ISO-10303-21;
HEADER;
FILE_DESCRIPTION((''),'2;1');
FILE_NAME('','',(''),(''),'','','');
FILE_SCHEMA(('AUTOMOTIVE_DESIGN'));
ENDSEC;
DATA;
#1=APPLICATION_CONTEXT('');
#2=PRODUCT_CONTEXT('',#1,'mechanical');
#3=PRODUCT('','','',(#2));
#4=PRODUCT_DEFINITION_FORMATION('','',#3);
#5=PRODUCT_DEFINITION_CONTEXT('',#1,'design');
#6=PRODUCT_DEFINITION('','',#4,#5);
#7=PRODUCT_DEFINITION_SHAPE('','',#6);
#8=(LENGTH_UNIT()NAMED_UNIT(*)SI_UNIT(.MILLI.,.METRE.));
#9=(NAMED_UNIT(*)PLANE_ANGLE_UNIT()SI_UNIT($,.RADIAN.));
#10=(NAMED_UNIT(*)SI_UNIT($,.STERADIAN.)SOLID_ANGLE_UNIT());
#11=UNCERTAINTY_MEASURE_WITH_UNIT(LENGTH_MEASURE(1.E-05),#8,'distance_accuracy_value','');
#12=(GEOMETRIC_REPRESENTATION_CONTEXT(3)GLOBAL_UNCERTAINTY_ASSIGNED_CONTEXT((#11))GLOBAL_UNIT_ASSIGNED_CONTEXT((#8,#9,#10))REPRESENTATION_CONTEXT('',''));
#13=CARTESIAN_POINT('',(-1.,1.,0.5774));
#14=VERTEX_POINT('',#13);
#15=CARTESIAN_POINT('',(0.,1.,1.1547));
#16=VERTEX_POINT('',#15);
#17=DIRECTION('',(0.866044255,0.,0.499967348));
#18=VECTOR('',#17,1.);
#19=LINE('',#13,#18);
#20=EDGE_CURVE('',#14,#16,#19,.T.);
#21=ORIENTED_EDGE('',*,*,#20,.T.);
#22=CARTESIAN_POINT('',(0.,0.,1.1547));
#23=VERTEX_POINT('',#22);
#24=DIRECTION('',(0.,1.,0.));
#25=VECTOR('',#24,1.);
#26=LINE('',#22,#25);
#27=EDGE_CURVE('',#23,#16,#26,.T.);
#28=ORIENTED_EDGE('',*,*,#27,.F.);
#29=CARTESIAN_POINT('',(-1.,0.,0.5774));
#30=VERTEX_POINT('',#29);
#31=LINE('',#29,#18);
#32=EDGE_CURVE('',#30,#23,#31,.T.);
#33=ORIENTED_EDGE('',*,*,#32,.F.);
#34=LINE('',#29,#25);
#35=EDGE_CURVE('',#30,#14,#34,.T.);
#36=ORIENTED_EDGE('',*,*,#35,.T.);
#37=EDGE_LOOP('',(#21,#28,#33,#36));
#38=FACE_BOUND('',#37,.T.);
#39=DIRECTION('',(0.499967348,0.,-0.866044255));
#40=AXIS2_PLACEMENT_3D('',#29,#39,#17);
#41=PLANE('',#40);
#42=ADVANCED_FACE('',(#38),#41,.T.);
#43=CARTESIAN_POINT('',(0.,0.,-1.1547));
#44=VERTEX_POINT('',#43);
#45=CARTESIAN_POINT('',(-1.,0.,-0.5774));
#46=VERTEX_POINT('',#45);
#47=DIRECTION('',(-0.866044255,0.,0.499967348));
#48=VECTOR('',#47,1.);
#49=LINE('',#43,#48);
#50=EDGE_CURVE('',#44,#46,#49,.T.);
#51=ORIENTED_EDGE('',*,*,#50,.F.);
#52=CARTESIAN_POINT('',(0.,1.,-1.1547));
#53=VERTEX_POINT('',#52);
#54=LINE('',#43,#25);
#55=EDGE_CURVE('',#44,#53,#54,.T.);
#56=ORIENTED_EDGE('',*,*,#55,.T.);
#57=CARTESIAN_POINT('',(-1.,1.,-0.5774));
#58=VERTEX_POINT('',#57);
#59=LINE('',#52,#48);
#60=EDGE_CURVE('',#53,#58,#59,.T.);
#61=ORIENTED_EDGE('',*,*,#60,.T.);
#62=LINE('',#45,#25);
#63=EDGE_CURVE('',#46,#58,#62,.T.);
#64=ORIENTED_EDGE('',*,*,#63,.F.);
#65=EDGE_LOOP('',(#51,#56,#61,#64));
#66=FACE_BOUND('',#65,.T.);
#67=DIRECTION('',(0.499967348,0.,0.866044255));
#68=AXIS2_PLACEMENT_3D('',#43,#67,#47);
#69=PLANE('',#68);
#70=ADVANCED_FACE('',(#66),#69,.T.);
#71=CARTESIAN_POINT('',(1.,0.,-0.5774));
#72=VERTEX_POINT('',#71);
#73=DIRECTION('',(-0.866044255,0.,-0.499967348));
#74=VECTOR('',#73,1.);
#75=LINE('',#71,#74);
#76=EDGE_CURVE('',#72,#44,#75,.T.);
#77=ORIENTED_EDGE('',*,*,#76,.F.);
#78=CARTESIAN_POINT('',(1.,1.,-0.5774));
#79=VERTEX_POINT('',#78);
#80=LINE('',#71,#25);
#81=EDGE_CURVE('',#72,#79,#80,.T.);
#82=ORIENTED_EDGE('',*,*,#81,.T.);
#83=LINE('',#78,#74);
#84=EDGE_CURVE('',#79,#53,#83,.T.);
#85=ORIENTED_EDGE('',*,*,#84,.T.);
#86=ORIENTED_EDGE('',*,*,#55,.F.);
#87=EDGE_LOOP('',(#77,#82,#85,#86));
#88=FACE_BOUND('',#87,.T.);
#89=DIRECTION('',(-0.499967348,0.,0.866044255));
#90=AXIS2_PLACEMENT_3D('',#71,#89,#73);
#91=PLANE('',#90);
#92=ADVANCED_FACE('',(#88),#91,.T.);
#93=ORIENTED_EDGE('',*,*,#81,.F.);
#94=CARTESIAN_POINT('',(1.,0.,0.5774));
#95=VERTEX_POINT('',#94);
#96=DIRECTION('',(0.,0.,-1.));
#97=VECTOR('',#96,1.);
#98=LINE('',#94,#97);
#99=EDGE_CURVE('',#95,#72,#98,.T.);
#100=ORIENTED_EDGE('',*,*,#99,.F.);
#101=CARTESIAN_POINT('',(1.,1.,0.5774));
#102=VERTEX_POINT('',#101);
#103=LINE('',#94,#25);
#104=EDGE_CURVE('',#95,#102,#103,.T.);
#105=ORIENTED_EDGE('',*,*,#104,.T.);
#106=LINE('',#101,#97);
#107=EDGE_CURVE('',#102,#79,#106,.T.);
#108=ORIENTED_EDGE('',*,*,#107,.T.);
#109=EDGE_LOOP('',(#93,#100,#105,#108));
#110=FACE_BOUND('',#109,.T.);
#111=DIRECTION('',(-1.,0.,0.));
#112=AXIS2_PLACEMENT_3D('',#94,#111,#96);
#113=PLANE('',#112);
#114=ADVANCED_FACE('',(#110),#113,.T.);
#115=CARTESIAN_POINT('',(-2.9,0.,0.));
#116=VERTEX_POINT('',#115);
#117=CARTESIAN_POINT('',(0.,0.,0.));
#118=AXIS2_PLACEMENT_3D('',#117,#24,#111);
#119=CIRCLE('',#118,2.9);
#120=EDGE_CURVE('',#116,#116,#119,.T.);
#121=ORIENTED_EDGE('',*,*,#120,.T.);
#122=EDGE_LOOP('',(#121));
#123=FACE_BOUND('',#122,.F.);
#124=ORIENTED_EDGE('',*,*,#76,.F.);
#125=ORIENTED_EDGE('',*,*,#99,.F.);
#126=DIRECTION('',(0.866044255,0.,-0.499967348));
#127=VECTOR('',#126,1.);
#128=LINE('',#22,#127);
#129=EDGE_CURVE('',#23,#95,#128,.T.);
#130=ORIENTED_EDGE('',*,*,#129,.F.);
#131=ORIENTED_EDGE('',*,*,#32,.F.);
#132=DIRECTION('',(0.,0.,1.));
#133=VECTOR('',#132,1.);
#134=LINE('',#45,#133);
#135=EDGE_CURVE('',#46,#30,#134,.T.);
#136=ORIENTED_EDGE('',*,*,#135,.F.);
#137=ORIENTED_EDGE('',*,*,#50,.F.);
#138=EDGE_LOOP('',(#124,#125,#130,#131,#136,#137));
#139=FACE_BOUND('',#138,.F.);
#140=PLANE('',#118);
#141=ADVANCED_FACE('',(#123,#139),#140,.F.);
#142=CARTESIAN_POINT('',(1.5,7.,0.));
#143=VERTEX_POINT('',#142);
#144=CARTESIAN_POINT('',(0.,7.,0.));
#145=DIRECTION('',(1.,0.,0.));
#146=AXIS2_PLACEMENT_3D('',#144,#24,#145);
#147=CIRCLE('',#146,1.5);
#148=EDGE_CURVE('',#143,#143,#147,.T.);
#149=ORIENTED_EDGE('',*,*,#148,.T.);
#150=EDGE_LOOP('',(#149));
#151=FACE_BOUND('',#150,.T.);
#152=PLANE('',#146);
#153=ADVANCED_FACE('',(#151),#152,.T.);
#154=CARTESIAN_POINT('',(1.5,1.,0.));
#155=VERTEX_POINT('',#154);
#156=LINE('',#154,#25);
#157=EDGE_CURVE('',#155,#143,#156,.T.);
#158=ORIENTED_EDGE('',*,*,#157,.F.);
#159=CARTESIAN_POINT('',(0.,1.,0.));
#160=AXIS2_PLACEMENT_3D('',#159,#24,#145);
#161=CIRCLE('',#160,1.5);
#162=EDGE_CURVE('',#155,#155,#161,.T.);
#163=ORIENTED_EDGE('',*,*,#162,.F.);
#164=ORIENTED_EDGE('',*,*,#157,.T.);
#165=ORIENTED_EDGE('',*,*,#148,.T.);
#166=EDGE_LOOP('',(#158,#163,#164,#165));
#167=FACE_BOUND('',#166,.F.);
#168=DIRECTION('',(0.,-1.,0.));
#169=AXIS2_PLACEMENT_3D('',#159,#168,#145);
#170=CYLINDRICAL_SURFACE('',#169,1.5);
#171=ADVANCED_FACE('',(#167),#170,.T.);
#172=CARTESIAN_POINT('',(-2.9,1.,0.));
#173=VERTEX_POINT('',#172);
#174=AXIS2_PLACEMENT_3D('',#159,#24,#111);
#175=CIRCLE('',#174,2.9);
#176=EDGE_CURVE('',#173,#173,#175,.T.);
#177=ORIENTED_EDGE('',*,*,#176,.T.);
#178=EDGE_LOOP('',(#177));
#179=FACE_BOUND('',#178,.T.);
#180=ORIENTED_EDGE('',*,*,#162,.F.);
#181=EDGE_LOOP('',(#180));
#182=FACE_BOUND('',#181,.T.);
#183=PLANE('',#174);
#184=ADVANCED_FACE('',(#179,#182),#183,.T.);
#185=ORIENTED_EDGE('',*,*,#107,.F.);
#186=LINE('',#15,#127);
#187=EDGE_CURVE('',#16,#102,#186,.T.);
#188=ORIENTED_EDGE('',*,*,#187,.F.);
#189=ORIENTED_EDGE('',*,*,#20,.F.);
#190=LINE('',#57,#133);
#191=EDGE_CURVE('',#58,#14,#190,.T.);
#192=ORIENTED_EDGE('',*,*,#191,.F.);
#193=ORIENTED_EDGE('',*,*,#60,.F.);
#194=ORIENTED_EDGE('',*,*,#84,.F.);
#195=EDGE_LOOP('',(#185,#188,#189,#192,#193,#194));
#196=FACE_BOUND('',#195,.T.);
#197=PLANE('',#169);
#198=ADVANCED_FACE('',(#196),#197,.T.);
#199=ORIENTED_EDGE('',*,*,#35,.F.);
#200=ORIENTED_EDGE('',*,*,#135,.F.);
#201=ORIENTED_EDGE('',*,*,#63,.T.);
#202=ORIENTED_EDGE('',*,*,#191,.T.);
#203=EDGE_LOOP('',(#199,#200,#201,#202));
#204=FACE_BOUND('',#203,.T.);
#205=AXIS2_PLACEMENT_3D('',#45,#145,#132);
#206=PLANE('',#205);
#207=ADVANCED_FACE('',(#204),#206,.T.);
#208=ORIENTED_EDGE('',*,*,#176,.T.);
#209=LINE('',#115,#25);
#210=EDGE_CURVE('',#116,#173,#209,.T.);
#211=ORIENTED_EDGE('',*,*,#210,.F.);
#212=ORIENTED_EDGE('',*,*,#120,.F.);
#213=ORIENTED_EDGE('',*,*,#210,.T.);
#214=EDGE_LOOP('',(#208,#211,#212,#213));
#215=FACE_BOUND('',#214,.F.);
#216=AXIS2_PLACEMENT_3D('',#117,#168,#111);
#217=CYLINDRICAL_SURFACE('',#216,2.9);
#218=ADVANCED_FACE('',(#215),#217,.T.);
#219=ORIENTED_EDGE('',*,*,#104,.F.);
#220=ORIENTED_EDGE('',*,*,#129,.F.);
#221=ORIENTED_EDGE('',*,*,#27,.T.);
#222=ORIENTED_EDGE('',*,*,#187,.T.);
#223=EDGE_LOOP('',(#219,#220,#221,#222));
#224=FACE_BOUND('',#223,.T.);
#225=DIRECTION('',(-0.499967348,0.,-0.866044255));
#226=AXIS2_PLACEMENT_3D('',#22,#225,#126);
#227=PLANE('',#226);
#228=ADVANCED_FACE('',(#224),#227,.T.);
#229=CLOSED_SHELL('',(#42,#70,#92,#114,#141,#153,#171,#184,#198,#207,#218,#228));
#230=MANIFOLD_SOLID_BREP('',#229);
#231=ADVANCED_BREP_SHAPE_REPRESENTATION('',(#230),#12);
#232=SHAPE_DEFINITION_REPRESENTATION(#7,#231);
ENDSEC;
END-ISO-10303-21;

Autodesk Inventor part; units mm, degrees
ref_plane "YZ Plane" through (0, 0, 0) normal (1, 0, 0) x (0, 1, 0)
ref_plane "XZ Plane" through (0, 0, 0) normal (0, 1, 0) x (-1, 0, 0)
ref_plane "XY Plane" through (0, 0, 0) normal (0, 0, 1) x (1, 0, 0)
sketch "Sketch1" plane through (0, 0, 0) normal (0, 1, 0) x (-1, 0, 0)
  circle A0 centre (0, 0) radius 2.9
  dimension "d0" = 5.8
extrude "Extrusion1" add sketch "Sketch1" along normal blind 1
sketch "Sketch2" plane through (0, 1, 0) normal (0, 1, 0) x (1, 0, 0)
  circle A0 centre (0, 0) radius 1.5
  dimension "d3" = 3
extrude "Extrusion2" add sketch "Sketch2" along normal blind 6
sketch "Sketch3" plane through (0, 0, 0) normal (0, -1, 0) x (1, 0, 0)
  line L0 (0, -1.1547) -> (-1, -0.5774)
  line L1 (-1, -0.5774) -> (-1, 0.5774)
  line L2 (-1, 0.5774) -> (0, 1.1547)
  line L3 (0, 1.1547) -> (1, 0.5774)
  line L4 (1, 0.5774) -> (1, -0.5774)
  line L5 (1, -0.5774) -> (0, -1.1547)
  point P0 (0, 0)
  point P1 (0, 0)
  dimension "d6" = 2
extrude "Extrusion3" cut sketch "Sketch3" against normal blind 1
properties part number "m3_bolt_pan_8mm" material "Stainless Steel"
